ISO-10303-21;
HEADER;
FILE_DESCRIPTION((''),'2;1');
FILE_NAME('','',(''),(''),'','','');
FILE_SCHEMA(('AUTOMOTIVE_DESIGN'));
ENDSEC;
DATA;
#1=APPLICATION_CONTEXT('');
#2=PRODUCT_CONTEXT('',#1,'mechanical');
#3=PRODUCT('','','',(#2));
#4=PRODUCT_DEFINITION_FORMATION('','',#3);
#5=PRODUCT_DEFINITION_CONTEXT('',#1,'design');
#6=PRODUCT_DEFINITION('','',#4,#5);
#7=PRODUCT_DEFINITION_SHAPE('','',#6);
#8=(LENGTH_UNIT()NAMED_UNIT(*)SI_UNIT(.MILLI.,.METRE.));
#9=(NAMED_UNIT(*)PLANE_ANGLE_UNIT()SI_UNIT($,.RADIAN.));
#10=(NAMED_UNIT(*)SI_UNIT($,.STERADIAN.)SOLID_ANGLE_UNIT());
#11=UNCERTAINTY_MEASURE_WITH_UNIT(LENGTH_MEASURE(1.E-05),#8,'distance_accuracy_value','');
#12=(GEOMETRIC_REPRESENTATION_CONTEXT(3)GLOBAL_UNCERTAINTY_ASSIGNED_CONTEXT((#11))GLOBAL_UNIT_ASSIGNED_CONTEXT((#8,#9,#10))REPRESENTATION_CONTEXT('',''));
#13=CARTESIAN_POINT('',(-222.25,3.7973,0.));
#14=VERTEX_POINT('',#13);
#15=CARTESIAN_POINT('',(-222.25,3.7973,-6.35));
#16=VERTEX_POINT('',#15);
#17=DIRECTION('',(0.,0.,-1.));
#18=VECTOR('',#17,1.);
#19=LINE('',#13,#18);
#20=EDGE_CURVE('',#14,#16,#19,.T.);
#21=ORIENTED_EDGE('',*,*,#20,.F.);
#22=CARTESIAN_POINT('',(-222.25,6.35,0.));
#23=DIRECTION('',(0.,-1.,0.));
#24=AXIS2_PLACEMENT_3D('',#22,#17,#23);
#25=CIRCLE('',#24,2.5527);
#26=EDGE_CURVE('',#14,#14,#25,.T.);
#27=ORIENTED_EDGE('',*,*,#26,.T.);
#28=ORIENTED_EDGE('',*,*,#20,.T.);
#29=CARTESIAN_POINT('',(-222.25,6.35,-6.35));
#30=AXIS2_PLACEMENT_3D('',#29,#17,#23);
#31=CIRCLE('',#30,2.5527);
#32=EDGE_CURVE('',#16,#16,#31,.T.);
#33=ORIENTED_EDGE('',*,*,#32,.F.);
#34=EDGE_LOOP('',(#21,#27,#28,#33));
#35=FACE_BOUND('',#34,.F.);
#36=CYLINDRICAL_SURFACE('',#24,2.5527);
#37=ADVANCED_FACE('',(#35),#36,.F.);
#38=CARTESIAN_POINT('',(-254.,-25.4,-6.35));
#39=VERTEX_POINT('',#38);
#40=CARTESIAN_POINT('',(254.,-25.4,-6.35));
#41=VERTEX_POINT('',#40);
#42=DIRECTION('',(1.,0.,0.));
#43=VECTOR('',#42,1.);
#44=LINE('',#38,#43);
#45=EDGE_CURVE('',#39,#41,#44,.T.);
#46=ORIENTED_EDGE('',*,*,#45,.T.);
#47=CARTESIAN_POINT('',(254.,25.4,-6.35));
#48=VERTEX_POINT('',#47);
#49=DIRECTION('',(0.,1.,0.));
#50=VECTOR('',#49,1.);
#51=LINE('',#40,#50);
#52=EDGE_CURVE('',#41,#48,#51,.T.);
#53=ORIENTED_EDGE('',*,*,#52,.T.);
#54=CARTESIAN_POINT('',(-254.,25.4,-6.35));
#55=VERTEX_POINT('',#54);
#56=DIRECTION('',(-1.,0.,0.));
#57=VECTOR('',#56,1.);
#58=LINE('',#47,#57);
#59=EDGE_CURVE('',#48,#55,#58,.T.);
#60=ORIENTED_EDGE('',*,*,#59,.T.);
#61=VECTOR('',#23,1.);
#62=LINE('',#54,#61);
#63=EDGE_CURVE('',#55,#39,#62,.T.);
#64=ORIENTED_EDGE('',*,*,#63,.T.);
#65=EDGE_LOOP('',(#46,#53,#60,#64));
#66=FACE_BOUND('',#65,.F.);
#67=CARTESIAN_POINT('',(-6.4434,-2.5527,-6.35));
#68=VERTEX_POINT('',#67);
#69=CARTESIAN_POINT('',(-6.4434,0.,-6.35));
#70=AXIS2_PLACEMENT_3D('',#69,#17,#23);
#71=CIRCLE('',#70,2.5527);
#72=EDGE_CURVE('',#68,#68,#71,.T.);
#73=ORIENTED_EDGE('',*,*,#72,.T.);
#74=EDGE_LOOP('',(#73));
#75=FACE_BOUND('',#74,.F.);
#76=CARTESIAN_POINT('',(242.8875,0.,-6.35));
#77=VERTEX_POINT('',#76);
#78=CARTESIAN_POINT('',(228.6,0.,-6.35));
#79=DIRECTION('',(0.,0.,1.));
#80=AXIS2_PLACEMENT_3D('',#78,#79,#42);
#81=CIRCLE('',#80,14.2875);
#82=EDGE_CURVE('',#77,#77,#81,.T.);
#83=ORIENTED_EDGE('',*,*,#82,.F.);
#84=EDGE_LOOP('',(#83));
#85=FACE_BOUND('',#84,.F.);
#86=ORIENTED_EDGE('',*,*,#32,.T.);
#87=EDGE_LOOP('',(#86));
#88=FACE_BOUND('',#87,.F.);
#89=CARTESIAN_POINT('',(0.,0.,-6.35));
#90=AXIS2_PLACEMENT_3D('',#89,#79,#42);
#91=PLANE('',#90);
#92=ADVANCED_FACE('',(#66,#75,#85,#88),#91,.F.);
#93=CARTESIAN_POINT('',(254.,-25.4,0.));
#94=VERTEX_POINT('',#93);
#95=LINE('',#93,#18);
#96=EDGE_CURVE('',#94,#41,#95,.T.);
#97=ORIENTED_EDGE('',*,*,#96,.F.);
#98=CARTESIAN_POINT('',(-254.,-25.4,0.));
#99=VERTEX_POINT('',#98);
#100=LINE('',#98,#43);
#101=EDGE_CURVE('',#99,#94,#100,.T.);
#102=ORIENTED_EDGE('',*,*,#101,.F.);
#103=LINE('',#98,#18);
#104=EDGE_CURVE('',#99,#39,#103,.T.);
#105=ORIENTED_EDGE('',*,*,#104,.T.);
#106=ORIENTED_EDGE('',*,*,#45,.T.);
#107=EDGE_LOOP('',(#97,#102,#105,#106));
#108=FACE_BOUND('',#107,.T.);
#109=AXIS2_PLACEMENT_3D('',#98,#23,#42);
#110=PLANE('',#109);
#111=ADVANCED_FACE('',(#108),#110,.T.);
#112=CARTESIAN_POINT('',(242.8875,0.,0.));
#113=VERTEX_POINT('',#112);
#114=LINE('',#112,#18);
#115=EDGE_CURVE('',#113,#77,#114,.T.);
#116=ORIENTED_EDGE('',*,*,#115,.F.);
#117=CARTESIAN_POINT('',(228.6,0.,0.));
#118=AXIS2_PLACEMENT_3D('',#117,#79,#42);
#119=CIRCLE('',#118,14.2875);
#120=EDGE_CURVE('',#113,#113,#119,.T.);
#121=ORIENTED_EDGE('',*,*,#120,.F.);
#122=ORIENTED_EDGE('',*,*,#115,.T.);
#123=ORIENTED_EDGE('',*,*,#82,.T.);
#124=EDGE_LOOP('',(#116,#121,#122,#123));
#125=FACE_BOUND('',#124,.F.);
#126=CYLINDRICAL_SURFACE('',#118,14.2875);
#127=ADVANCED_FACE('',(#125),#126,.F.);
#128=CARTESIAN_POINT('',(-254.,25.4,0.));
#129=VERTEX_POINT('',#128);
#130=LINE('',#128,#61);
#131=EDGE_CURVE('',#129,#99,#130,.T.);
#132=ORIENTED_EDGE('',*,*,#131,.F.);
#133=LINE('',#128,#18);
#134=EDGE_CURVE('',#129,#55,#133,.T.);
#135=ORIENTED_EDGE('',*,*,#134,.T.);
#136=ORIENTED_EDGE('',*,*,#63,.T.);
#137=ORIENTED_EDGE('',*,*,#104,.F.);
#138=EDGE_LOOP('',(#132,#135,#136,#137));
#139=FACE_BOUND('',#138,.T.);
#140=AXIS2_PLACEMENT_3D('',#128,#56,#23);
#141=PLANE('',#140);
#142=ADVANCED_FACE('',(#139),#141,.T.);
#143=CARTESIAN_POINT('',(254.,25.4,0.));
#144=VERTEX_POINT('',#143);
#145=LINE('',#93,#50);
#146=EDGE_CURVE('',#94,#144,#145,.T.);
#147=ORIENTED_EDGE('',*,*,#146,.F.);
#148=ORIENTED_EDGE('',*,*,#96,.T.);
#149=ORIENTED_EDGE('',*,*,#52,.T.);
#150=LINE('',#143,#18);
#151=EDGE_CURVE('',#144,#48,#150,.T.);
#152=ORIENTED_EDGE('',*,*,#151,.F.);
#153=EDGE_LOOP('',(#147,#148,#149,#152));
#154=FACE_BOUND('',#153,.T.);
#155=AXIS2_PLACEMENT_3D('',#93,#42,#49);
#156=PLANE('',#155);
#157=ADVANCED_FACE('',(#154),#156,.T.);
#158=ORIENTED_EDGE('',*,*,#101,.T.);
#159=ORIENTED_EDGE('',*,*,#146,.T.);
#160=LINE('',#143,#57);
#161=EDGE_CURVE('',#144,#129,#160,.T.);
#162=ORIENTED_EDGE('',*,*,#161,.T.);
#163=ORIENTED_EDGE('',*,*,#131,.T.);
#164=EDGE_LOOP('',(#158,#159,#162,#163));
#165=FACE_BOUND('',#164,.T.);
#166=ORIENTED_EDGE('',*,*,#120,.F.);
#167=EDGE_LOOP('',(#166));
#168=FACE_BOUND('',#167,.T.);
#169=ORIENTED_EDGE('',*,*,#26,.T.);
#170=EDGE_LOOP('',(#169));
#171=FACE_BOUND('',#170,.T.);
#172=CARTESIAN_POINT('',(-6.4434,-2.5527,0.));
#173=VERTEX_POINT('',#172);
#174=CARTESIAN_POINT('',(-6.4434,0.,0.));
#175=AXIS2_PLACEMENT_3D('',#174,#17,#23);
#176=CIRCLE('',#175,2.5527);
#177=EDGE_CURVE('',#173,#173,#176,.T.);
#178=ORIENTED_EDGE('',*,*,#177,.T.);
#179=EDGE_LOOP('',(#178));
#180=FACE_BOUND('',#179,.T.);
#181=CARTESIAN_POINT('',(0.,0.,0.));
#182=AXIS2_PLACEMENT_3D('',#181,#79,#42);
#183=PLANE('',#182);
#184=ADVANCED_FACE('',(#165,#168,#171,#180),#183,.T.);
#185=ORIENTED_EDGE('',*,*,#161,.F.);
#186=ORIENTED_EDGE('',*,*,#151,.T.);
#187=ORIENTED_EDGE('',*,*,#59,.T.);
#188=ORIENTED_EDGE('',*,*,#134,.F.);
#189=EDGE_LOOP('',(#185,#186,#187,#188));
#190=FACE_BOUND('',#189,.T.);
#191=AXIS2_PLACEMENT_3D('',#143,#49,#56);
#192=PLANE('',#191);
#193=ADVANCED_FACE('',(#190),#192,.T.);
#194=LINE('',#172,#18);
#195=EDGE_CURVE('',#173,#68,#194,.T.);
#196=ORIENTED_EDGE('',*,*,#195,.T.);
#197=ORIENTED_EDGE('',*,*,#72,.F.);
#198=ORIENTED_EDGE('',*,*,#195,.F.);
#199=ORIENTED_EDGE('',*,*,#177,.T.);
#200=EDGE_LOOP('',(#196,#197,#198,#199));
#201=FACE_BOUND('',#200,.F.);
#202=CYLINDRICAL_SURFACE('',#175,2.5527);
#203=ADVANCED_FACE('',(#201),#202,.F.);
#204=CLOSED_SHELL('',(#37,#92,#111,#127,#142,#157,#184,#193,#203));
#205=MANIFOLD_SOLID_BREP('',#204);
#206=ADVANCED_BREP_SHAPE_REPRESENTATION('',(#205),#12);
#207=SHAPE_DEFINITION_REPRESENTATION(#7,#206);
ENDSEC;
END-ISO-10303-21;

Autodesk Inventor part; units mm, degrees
ref_plane "YZ Plane" through (0, 0, 0) normal (1, 0, 0) x (0, 1, 0)
ref_plane "XZ Plane" through (0, 0, 0) normal (0, 1, 0) x (-1, 0, 0)
ref_plane "XY Plane" through (0, 0, 0) normal (0, 0, 1) x (1, 0, 0)
sketch "Sketch1" plane through (0, 0, 0) normal (0, 0, 1) x (1, 0, 0)
  line L0 (-254, -25.4) -> (254, -25.4)
  line L1 (254, -25.4) -> (254, 25.4)
  line L2 (254, 25.4) -> (-254, 25.4)
  line L3 (-254, 25.4) -> (-254, -25.4)
  line L4 (-254, -25.4) -> (254, 25.4) construction
  line L5 (254, -25.4) -> (-254, 25.4) construction
  circle A0 centre (-222.25, 6.35) radius 14.2875 construction
  circle A1 centre (-6.4434, 0) radius 14.2875 construction
  line L6 (-157.3708, -518.3539) -> (-157.3708, -1127.9539) construction
  line L7 (-157.3708, -1127.9539) -> (29.9542, -1127.9539) construction
  line L8 (29.9542, -1127.9539) -> (29.9542, -518.3539) construction
  line L9 (29.9542, -518.3539) -> (-157.3708, -518.3539) construction
  line L10 (-222.25, 6.35) -> (-6.4434, 0) construction
  circle A2 centre (228.6, 0) radius 14.2875
  point P0 (0, 0)
  point P1 (-254, 0)
  point P2 (254, 0)
  dimension "d0" = 508
  dimension "d1" = 50.8
  dimension "d3" = 28.575
  dimension "d4" = 187.325
  dimension "d5" = 609.6
  dimension "d6" = 215.9
  dimension "d7" = 6.35
  dimension "d10" = 28.575
  dimension "d11" = 25.4
  dimension "d26" = 31.75
  dimension "d27" = 19.05
  dimension "d28" = 28.575
extrude "Extrusion1" add sketch "Sketch1" against normal blind 6.35
hole "Hole1" at (-6.4434, 0, 0) at (-222.25, 6.35, 0) direction (0, 0, -1) diameter 5.1054 end through all clearance for "Flat Head Machine Screw (82)" size "#10" standard "Ansi Unified Screw Threads"
properties part number "CL2-005" material "Aluminum 6061"
